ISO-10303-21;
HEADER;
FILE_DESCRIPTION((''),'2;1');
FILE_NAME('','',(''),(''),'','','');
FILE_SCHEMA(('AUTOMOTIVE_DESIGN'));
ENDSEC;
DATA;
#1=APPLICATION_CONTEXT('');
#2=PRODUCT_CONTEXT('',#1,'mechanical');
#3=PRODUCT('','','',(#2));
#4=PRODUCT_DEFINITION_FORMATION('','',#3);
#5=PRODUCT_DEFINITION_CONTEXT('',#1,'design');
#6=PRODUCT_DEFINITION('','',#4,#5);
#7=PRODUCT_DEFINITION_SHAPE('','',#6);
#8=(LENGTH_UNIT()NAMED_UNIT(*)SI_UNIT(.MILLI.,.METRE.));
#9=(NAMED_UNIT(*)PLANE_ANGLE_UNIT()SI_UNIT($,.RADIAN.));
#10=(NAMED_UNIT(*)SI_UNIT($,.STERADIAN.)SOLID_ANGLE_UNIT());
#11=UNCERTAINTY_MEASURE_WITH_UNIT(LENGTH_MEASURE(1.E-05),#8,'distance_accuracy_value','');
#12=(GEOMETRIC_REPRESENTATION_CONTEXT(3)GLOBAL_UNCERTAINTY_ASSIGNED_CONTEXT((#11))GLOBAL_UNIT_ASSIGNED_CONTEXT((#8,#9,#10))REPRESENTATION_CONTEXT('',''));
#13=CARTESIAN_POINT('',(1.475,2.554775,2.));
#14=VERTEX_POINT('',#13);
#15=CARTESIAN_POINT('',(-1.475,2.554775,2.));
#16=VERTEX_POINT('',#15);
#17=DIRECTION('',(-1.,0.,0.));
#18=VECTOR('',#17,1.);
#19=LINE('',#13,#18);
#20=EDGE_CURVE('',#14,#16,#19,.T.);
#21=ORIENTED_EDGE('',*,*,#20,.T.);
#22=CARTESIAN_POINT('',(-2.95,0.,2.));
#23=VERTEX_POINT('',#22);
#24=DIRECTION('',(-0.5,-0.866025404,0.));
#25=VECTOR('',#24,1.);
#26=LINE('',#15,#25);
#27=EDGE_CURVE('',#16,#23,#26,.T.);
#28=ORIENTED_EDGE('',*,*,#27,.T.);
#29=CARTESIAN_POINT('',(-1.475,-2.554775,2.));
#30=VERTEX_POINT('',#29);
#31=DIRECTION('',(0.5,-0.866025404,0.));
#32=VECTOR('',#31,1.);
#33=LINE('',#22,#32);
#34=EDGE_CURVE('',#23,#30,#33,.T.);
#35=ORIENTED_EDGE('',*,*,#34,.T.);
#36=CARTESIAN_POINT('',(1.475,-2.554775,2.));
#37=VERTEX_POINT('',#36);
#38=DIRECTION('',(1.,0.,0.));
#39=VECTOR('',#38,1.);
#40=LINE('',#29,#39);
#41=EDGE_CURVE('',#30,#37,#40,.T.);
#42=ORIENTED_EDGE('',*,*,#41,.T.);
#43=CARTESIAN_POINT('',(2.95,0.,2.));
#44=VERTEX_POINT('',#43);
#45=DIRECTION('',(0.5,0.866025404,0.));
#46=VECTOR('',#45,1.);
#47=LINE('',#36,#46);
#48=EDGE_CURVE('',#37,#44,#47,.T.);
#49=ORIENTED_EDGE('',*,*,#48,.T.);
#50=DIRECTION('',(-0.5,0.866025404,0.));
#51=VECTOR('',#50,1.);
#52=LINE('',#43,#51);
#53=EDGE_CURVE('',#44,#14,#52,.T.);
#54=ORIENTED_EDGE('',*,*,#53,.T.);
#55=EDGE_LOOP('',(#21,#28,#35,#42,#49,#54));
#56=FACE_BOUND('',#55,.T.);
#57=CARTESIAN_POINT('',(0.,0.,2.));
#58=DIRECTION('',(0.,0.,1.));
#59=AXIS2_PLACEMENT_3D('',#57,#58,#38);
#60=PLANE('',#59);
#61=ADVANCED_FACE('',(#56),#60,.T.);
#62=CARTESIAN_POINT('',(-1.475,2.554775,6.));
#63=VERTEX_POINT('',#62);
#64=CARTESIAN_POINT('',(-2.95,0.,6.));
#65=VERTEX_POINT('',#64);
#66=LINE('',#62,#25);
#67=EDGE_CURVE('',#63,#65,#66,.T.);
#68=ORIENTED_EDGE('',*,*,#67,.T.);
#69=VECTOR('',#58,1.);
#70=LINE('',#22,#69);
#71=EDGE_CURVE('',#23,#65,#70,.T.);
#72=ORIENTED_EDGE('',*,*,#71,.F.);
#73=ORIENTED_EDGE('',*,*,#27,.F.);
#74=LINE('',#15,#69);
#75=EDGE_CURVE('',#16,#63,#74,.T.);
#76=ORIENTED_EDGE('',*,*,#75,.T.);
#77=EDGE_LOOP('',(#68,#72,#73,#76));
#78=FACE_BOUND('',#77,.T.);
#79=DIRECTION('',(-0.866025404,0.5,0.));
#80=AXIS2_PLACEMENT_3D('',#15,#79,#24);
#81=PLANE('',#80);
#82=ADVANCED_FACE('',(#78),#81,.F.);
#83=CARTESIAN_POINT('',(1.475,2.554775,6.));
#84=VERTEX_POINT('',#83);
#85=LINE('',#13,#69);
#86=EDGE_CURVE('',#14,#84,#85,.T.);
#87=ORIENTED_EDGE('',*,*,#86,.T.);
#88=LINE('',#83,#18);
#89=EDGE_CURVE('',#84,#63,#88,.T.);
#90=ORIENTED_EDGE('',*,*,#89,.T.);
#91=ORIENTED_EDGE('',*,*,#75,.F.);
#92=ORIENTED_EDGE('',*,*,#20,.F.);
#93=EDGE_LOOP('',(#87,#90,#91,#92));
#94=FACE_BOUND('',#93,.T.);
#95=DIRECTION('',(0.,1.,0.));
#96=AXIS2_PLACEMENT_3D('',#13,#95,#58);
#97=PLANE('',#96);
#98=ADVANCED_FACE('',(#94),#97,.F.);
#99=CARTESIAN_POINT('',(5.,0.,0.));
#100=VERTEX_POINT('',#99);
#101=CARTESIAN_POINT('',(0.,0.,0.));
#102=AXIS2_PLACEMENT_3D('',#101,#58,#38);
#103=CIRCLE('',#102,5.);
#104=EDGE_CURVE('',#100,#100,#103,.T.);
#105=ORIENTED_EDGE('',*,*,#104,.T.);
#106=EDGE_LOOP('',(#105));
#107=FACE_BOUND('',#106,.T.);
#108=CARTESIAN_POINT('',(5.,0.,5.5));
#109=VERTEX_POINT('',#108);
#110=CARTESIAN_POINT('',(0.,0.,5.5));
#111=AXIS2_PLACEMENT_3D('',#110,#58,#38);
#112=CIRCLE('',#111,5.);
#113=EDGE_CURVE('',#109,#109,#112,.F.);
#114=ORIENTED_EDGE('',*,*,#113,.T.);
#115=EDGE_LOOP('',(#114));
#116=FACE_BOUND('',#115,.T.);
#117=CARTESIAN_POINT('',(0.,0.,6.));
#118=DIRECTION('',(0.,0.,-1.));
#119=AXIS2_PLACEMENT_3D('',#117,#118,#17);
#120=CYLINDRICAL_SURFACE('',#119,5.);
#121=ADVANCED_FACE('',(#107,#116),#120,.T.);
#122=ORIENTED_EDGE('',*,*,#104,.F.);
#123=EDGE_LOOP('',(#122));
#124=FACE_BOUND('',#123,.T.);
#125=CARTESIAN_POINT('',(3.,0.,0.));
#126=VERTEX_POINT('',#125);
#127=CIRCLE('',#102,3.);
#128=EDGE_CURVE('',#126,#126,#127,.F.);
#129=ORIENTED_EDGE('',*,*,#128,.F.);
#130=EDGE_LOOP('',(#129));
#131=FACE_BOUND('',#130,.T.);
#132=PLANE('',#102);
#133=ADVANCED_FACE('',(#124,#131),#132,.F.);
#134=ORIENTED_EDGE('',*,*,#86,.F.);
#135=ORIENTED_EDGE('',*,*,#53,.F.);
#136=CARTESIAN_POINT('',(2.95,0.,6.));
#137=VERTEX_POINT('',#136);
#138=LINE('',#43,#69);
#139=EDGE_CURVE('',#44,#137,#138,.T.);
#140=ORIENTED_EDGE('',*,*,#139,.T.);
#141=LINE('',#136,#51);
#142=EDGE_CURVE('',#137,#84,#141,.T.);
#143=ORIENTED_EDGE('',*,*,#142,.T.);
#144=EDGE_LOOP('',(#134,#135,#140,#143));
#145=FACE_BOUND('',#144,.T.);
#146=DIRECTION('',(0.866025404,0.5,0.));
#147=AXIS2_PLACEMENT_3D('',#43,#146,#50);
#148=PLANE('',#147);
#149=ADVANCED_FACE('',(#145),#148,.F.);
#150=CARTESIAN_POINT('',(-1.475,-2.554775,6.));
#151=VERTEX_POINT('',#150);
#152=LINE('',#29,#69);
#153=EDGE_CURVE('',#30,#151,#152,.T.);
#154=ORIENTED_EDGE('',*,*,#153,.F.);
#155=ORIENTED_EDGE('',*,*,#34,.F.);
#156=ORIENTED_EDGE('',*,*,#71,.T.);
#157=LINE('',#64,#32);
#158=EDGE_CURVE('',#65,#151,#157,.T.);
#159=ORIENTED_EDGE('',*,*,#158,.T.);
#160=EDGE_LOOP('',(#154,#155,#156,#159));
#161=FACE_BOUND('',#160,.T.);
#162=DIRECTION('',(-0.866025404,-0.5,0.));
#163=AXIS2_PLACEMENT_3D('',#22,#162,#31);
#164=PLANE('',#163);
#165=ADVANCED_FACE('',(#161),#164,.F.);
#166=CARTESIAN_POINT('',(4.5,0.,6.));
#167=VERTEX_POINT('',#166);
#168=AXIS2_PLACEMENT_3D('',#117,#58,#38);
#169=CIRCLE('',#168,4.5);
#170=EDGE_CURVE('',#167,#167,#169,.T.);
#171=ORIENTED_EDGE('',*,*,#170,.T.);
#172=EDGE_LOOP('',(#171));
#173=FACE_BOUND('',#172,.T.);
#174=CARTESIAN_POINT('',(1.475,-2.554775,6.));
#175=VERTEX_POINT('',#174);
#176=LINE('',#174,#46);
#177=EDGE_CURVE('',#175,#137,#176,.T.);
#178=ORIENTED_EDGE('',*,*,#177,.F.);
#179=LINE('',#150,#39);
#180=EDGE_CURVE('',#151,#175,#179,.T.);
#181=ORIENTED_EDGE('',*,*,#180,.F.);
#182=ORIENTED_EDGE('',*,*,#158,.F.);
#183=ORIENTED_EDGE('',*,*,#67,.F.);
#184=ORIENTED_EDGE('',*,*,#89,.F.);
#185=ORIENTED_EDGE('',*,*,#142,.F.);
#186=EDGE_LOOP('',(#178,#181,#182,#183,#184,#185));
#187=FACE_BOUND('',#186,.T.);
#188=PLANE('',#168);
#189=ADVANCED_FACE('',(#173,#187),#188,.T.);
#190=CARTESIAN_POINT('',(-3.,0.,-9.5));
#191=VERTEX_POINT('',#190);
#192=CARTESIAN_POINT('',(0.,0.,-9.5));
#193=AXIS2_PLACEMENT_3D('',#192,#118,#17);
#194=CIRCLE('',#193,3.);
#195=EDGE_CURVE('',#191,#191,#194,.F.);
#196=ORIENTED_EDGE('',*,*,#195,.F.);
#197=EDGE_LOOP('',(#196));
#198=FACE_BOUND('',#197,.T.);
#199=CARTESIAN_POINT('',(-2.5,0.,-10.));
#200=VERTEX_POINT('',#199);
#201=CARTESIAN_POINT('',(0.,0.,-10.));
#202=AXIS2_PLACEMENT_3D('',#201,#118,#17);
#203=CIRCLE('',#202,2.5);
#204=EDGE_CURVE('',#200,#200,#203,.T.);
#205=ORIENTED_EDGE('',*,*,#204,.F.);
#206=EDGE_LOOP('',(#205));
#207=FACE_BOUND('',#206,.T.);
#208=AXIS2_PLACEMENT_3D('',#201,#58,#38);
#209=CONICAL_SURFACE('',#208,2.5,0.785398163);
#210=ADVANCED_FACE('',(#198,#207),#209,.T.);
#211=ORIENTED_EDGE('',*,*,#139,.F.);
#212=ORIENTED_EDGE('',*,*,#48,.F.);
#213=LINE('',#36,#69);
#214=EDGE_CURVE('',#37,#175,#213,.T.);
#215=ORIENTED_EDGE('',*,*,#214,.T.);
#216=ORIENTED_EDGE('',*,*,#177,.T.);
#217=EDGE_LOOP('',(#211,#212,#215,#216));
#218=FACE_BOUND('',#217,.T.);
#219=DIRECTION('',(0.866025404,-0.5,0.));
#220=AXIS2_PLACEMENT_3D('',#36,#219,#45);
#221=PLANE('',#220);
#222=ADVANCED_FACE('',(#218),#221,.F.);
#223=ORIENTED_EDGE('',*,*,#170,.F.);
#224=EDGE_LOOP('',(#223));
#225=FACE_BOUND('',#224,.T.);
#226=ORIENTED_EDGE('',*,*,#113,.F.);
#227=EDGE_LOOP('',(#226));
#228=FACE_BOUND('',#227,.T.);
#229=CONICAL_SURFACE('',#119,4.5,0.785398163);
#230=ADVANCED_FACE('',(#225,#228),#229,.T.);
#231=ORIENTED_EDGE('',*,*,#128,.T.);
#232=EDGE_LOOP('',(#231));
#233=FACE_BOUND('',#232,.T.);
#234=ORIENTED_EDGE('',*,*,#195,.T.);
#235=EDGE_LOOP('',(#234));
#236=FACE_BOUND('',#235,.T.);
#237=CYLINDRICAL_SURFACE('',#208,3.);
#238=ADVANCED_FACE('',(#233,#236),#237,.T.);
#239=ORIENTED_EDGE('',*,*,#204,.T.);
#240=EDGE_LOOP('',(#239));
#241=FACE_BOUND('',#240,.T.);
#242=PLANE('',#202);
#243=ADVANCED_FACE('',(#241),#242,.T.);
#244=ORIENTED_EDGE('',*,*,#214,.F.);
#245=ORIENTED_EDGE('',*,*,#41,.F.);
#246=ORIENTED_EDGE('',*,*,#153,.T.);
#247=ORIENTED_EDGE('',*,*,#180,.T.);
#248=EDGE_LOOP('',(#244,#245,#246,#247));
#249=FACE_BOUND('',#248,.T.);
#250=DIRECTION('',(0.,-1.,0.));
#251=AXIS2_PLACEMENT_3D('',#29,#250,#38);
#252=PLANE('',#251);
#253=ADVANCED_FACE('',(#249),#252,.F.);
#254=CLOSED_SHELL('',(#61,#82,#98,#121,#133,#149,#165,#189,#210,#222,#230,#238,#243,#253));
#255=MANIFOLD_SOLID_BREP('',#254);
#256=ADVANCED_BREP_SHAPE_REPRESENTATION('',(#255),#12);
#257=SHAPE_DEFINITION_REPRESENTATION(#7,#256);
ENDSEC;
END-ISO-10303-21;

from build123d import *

# Parameters (mm, degrees)
CROQUIS1_R              = 5
SALIENTE_EXTRUIR1_DEPTH = 6
CROQUIS2_R              = 3
SALIENTE_EXTRUIR2_DEPTH = 10
CHAFL_N1_SIZE           = 0.5
CORTAR_EXTRUIR1_DEPTH   = 4


with BuildPart() as part:
    # Croquis1 → Saliente-Extruir1 (new body)
    with BuildSketch(Plane.XY):
        Circle(CROQUIS1_R)
    extrude(amount=SALIENTE_EXTRUIR1_DEPTH)

    # Croquis2 → Saliente-Extruir2 (add)
    with BuildSketch(Plane(origin=(0, 0, 0), x_dir=(-1, 0, 0), z_dir=(0, 0, -1))):
        with Locations(Location((0, 0, 0), (0, 0, 180))):
            Circle(CROQUIS2_R)
    extrude(amount=SALIENTE_EXTRUIR2_DEPTH)

    # Chaflán1
    chafl_n1_edges = [part.edges().sort_by_distance(p)[0] for p in [
        (-5, 0, 6),
        (-3, 0, -10),
    ]]
    chamfer(chafl_n1_edges, length=CHAFL_N1_SIZE)

    # Croquis3 → Cortar-Extruir1 (cut)
    with BuildSketch(Plane.XY.offset(6)):
        Polygon((2.95, 0), (1.475, 2.554774941), (-1.475, 2.554774941), (-2.95, 0), (-1.475, -2.554774941), (1.475, -2.554774941), align=None)
    extrude(amount=-CORTAR_EXTRUIR1_DEPTH, mode=Mode.SUBTRACT)


solid = part.part
